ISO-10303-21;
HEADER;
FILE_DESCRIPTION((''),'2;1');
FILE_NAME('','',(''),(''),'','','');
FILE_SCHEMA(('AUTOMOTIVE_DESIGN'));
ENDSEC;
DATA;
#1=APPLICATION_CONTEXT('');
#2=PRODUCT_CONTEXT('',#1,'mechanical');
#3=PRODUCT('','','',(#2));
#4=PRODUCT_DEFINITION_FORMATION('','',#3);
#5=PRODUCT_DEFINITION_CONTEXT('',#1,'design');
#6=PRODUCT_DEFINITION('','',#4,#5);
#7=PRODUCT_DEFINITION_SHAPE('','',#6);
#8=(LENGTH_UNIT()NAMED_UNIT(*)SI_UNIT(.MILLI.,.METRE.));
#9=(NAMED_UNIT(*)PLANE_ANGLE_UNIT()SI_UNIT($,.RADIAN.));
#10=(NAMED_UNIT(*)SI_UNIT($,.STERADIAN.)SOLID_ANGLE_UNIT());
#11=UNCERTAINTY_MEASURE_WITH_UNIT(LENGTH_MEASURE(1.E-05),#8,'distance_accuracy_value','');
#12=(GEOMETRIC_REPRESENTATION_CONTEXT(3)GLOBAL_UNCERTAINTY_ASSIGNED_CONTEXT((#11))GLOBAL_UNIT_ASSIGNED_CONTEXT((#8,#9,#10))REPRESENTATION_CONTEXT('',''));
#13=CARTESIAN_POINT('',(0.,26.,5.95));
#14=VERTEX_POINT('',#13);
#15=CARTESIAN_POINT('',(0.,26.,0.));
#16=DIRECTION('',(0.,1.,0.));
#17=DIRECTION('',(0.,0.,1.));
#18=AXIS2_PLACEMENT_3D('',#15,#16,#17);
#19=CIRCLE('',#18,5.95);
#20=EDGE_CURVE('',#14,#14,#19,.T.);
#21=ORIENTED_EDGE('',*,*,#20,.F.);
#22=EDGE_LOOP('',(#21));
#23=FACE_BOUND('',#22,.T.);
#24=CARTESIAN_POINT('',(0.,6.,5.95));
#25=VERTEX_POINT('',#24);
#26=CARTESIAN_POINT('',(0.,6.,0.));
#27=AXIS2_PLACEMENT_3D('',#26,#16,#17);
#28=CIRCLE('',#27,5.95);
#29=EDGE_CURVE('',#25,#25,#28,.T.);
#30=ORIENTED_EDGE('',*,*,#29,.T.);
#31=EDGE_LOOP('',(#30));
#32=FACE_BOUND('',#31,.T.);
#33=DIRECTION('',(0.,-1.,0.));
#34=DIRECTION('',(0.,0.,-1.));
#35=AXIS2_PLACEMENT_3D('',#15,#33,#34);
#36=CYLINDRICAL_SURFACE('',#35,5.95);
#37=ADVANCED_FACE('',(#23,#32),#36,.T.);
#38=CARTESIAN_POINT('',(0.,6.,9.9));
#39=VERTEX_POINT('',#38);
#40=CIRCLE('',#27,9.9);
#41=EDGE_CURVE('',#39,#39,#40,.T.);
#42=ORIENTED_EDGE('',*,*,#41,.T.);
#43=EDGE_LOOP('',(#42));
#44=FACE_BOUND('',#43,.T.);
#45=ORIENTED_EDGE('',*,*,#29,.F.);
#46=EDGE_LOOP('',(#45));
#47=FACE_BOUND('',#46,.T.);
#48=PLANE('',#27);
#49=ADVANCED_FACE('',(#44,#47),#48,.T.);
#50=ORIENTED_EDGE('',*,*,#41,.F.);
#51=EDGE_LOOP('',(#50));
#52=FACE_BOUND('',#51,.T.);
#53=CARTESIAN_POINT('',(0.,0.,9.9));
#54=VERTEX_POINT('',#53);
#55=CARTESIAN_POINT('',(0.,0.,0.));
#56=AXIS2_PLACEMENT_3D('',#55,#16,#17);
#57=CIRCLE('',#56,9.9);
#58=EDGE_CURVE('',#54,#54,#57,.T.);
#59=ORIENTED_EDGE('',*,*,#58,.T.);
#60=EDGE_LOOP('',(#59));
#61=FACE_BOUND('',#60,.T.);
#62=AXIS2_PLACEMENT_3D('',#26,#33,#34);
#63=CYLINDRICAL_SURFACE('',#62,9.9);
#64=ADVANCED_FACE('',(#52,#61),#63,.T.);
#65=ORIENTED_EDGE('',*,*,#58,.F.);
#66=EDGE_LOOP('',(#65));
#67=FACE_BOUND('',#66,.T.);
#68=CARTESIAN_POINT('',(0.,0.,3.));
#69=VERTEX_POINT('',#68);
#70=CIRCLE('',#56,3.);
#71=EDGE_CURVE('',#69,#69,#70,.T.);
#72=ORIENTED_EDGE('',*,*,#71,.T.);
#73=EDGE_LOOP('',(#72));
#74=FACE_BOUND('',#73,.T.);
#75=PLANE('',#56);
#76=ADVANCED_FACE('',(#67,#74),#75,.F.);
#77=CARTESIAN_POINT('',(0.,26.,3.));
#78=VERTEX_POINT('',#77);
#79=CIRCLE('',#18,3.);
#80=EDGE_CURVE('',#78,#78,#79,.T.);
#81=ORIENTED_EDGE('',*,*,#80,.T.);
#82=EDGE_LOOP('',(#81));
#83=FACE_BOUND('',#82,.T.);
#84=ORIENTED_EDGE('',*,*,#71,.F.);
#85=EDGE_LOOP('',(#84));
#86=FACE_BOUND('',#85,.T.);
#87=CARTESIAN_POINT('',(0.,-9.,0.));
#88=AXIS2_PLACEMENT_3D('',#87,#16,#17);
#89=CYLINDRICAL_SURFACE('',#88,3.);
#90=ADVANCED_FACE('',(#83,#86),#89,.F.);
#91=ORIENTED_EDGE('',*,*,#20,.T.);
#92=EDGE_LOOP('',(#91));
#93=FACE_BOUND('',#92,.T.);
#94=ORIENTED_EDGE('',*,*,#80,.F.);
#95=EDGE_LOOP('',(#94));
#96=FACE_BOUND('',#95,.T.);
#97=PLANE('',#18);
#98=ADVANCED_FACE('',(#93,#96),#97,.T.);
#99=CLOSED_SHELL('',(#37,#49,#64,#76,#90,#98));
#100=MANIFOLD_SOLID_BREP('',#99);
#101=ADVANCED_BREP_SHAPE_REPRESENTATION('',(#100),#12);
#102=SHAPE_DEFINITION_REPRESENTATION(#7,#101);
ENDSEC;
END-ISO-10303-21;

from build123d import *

# Parameters (mm, degrees)
SKETCH_1_R          = 9.9
EXTRUDE_1_DEPTH     = 6
SKETCH_2_R          = 5.95
EXTRUDE_2_DEPTH     = 20
SKETCH_3_R          = 3
CUT_EXTRUDE_1_DEPTH = 35


with BuildPart() as part:
    # Эскиз1 → Бобышка-Вытянуть1 (new body)
    with BuildSketch(Plane(origin=(0, 0, 0), x_dir=(1, 0, 0), z_dir=(0, 1, 0))):
        Circle(SKETCH_1_R)
    extrude(amount=EXTRUDE_1_DEPTH)

    # Эскиз2 → Бобышка-Вытянуть2 (add)
    with BuildSketch(Plane(origin=(0, 6, 0), x_dir=(1, 0, 0), z_dir=(0, 1, 0))):
        Circle(SKETCH_2_R)
    extrude(amount=EXTRUDE_2_DEPTH)

    # Эскиз3 → Вырез-Вытянуть1 (cut)
    with BuildSketch(Plane(origin=(0, 26, 0), x_dir=(1, 0, 0), z_dir=(0, 1, 0))):
        Circle(SKETCH_3_R)
    extrude(amount=-CUT_EXTRUDE_1_DEPTH, mode=Mode.SUBTRACT)


solid = part.part
